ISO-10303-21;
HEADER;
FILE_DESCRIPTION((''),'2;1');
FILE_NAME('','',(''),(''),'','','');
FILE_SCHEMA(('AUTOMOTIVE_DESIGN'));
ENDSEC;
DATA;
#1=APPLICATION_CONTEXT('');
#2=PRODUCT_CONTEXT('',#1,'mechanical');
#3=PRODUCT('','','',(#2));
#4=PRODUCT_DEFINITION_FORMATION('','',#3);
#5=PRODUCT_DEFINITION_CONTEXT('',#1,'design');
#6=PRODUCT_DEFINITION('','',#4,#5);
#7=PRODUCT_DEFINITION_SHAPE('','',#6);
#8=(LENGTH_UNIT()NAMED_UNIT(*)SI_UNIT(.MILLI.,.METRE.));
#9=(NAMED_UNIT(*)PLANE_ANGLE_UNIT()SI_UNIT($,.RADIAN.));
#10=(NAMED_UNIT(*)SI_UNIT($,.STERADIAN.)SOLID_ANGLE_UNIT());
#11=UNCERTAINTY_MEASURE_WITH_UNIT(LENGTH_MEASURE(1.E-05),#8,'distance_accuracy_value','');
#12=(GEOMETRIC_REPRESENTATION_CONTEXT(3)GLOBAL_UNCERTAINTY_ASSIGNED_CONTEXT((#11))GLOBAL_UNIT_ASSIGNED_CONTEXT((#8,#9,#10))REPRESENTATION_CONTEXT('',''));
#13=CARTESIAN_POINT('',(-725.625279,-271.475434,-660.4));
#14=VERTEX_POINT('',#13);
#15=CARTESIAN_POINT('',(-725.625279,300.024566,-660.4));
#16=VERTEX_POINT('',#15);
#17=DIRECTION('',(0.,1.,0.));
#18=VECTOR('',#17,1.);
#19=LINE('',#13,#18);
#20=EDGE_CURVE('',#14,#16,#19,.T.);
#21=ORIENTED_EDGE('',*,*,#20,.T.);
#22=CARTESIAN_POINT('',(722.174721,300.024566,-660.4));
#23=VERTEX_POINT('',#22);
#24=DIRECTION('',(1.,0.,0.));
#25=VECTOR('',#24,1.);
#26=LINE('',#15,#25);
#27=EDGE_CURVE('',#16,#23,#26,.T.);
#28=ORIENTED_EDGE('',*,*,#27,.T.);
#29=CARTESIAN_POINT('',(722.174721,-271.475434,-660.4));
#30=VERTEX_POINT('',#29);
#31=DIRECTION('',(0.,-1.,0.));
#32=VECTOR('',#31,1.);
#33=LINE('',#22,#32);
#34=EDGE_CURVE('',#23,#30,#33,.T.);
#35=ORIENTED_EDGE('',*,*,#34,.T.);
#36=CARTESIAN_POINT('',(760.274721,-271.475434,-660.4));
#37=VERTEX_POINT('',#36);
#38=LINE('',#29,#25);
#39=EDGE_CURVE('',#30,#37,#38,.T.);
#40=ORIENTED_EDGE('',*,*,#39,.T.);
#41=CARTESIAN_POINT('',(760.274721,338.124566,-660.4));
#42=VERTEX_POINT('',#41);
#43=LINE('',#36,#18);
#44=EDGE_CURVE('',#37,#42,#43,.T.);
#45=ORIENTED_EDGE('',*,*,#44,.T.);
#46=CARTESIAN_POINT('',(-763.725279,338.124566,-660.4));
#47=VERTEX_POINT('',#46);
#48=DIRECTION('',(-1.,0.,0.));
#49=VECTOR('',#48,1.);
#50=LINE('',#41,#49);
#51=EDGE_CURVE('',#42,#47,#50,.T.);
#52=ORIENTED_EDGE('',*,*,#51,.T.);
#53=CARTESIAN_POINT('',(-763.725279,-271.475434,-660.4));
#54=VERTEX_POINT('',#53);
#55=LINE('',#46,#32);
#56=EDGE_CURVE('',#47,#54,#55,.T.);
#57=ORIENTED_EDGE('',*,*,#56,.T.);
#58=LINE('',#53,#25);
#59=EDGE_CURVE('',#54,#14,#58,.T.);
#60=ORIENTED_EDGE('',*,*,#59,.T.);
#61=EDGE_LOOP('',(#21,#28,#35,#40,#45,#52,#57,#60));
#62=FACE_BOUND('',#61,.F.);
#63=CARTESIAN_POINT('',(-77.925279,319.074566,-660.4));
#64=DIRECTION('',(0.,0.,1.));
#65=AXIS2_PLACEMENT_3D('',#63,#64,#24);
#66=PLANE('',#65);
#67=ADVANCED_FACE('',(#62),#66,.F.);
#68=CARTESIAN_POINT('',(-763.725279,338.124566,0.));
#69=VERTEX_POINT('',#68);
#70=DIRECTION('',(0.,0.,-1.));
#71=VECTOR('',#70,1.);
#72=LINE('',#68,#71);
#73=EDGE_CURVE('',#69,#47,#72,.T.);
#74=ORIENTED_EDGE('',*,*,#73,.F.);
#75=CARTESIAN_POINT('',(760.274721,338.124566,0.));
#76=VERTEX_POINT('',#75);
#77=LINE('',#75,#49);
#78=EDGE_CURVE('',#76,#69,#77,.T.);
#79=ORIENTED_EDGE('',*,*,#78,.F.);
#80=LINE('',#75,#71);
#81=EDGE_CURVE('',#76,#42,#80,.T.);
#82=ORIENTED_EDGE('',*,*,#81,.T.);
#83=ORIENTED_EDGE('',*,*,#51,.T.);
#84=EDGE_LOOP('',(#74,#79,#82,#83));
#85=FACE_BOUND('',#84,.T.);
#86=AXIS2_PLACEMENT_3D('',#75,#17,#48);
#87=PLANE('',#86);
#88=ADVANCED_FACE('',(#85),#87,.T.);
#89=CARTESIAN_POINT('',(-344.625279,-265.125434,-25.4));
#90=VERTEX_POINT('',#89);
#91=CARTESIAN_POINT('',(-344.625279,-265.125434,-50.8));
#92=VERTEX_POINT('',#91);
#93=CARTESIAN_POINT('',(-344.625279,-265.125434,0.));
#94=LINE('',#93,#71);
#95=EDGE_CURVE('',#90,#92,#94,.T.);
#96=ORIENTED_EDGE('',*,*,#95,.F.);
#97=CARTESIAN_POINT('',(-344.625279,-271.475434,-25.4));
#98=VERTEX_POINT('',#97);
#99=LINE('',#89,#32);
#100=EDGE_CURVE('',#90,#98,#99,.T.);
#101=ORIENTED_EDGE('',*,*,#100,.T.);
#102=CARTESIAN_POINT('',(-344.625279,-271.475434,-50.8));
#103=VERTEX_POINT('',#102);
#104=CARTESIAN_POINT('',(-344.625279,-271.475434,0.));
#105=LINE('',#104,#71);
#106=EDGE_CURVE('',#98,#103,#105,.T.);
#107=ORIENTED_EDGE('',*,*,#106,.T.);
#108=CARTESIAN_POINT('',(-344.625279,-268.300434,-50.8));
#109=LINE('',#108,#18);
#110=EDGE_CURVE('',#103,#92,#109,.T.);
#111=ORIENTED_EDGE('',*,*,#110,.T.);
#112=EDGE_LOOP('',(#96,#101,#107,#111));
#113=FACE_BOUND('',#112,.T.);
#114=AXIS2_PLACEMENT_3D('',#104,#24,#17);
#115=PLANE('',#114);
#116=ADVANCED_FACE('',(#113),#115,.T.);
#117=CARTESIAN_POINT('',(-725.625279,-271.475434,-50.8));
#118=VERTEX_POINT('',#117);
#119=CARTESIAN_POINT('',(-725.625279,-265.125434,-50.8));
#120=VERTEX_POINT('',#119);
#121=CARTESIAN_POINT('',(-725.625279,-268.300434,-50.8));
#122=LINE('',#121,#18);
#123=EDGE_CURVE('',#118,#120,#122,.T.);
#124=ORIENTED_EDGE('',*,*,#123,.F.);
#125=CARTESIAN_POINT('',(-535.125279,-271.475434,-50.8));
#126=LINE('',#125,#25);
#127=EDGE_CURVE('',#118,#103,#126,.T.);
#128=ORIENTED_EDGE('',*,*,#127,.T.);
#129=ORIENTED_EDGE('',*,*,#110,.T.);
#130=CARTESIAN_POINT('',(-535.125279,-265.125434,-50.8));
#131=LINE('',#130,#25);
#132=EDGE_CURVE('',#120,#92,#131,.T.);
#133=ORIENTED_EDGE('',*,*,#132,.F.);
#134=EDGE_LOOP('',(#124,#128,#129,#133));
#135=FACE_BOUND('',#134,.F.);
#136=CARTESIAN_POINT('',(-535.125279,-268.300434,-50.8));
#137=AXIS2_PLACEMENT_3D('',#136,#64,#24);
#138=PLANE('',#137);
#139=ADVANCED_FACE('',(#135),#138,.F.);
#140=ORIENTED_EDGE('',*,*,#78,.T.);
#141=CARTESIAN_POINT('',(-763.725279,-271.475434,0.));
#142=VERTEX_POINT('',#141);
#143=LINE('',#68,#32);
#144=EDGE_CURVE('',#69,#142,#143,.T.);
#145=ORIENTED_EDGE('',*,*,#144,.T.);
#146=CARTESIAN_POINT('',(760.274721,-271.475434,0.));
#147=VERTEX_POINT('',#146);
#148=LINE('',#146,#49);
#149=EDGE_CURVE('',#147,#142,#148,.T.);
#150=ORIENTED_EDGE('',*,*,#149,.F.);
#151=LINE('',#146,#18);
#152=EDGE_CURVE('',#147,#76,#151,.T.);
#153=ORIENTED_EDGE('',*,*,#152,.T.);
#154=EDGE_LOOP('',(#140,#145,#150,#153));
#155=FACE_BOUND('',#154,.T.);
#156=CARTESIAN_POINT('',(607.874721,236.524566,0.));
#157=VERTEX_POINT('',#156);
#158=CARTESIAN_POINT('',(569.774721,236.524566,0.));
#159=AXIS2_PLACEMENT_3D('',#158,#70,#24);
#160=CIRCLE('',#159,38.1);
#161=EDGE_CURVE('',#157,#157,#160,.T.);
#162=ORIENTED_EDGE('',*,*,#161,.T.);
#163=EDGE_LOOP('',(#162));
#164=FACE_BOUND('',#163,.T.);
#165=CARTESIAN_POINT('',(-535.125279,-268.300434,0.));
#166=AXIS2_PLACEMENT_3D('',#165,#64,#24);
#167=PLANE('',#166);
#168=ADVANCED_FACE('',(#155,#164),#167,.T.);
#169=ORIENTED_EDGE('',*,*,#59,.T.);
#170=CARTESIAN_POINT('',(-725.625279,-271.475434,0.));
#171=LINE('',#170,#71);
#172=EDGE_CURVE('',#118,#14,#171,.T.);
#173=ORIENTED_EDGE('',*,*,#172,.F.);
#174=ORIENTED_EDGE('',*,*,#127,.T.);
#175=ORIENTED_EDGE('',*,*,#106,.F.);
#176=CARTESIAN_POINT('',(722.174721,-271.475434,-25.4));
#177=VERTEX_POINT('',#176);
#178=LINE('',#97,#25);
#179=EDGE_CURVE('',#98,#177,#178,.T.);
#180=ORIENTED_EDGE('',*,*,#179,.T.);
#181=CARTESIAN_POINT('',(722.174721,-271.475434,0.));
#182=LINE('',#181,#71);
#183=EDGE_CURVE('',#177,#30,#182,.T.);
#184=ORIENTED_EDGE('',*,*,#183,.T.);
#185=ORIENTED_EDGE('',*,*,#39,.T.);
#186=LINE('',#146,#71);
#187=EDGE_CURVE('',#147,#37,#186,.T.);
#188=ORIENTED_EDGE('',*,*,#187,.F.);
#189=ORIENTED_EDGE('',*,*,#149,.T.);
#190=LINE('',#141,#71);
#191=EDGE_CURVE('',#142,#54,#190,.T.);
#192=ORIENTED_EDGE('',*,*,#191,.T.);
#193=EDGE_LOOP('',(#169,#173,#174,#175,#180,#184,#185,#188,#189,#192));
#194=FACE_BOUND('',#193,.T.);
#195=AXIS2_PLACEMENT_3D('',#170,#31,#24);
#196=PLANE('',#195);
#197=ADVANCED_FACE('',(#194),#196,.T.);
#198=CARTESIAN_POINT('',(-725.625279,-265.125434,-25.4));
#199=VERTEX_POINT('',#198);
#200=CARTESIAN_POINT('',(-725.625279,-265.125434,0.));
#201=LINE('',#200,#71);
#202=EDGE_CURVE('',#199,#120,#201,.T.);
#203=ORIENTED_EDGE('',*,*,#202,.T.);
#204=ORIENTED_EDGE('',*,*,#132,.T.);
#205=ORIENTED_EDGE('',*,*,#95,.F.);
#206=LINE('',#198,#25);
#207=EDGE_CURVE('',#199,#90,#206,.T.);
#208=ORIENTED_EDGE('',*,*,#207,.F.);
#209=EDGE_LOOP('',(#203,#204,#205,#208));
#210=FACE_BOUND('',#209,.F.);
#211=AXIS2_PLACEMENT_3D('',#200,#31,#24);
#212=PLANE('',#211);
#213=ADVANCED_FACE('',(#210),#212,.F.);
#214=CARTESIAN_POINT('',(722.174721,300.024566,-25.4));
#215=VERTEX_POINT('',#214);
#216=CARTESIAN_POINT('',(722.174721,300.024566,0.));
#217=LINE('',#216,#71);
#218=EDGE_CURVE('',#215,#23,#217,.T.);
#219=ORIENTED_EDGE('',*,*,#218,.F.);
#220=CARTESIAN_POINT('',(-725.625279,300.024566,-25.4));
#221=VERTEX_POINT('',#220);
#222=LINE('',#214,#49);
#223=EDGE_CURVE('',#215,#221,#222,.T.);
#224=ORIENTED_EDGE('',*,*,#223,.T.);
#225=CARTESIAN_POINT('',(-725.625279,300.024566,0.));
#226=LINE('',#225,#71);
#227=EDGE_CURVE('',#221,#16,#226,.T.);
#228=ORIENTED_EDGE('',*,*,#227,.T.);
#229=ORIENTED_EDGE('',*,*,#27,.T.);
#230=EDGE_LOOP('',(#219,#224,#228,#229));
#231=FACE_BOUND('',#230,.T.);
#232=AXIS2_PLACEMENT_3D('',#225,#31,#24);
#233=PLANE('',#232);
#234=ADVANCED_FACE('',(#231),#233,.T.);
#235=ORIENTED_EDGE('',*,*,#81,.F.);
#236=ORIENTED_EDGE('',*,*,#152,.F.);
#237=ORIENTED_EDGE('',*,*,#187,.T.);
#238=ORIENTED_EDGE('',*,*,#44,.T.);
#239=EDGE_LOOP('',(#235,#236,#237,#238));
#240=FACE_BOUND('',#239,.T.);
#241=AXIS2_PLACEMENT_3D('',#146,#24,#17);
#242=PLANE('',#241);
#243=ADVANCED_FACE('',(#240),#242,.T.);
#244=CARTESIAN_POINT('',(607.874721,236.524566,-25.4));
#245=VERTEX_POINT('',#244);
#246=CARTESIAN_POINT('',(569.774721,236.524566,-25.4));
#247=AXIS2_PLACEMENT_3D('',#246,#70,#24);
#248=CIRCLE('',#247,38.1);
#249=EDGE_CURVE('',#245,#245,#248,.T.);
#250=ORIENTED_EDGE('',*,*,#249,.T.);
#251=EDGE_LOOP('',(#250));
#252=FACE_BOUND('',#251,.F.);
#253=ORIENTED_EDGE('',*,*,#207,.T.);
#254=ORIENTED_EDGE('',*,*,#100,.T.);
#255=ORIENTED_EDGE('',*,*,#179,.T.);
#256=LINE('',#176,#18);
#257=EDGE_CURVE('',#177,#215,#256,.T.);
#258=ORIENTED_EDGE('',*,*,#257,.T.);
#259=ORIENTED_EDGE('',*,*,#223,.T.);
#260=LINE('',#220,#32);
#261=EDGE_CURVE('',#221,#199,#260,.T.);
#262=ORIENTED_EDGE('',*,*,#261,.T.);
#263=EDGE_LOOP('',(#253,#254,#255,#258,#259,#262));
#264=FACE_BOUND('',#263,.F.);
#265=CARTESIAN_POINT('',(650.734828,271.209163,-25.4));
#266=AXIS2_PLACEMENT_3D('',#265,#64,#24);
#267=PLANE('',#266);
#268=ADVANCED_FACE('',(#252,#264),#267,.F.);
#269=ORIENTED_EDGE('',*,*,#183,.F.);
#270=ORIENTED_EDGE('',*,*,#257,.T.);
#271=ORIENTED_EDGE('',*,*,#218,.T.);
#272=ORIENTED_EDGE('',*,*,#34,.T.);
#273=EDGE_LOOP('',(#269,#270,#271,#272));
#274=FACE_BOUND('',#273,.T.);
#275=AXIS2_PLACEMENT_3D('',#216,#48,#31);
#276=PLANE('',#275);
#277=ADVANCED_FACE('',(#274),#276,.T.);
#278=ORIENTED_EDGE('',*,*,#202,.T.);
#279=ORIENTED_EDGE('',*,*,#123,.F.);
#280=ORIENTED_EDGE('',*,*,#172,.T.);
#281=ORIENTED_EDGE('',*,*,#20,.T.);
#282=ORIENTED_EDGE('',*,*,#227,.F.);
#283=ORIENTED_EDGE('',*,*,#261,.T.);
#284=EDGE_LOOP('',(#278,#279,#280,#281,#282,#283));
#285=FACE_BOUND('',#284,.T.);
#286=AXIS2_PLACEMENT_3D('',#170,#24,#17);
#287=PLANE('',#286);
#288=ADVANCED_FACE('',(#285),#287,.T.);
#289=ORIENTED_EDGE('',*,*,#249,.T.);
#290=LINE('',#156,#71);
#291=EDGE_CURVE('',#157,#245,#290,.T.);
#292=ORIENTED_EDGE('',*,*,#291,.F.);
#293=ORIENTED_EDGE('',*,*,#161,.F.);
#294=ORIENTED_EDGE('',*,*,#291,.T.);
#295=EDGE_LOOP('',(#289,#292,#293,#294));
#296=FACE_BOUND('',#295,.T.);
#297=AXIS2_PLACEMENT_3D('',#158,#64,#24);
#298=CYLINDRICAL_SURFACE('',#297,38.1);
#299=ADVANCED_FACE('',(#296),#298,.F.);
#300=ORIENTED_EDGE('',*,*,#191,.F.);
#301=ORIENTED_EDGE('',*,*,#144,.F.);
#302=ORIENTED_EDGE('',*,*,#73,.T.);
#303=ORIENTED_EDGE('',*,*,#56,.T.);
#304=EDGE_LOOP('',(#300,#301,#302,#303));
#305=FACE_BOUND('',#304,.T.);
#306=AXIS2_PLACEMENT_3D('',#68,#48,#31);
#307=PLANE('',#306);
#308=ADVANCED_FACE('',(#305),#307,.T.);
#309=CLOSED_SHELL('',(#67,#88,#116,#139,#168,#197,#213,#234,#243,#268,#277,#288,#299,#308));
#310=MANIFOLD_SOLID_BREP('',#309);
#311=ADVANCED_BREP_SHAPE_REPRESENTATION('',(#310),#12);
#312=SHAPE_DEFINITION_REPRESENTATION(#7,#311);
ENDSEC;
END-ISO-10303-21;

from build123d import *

# Parameters (mm, degrees)
F1_DEPTH = 25.4
F0_W     = 1295.4
F0_H     = 38.1
F0_W_2   = 152.4
F2_DEPTH = 660.4
F0_W_3   = 381
F0_H_2   = 6.35
F3_DEPTH = 50.8


with BuildPart() as f1:
    # F0 (on Top) → F1 (new body)
    with BuildSketch(Plane.XY):
        with BuildLine():
            Line((722.1747212052, 300.0245658736), (569.7747212052, 300.0245658736))
            Line((569.7747212052, 300.0245658736), (569.7747212052, 274.6245658736))
            ThreePointArc((569.7747212052, 274.6245658736), (596.7154895684, 263.4653342368), (607.8747212052, 236.5245658736))
            Line((607.8747212052, 236.5245658736), (722.1747212052, 236.5245658736))
            Line((722.1747212052, 236.5245658736), (722.1747212052, 300.0245658736))
        make_face()
        with BuildLine():
            Line((569.7747212052, 300.0245658736), (-725.6252787948, 300.0245658736))
            Line((-725.6252787948, 300.0245658736), (-725.6252787948, -265.1254341264))
            Line((-725.6252787948, -265.1254341264), (-344.6252787948, -265.1254341264))
            Line((-344.6252787948, -265.1254341264), (-344.6252787948, -271.4754341264))
            Line((-344.6252787948, -271.4754341264), (722.1747212052, -271.4754341264))
            Line((722.1747212052, -271.4754341264), (722.1747212052, 236.5245658736))
            Line((722.1747212052, 236.5245658736), (607.8747212052, 236.5245658736))
            ThreePointArc((607.8747212052, 236.5245658736), (542.833952842, 209.5837975104), (569.7747212052, 274.6245658736))
            Line((569.7747212052, 274.6245658736), (569.7747212052, 300.0245658736))
        make_face()
    extrude(amount=-F1_DEPTH)

    # F0 (on Top) → F2 (join)
    with BuildSketch(Plane.XY):
        with Locations((-77.9252787948, 319.0745658736)):
            Rectangle(F0_W, F0_H)
        with Locations((645.9747212052, 319.0745658736)):
            Rectangle(F0_W_2, F0_H)
        Polygon((760.2747212052, 338.1245658736), (722.1747212052, 338.1245658736), (722.1747212052, 300.0245658736), (722.1747212052, 236.5245658736), (722.1747212052, -271.4754341264), (760.2747212052, -271.4754341264), align=None)
        Polygon((-725.6252787948, 338.1245658736), (-763.7252787948, 338.1245658736), (-763.7252787948, -271.4754341264), (-725.6252787948, -271.4754341264), (-725.6252787948, -265.1254341264), (-725.6252787948, 300.0245658736), align=None)
    extrude(amount=-F2_DEPTH)

    # F0 (on Top) → F3 (join)
    with BuildSketch(Plane.XY):
        with Locations((-535.1252787948, -268.3004341264)):
            Rectangle(F0_W_3, F0_H_2)
    extrude(amount=-F3_DEPTH)


solid = f1.part
